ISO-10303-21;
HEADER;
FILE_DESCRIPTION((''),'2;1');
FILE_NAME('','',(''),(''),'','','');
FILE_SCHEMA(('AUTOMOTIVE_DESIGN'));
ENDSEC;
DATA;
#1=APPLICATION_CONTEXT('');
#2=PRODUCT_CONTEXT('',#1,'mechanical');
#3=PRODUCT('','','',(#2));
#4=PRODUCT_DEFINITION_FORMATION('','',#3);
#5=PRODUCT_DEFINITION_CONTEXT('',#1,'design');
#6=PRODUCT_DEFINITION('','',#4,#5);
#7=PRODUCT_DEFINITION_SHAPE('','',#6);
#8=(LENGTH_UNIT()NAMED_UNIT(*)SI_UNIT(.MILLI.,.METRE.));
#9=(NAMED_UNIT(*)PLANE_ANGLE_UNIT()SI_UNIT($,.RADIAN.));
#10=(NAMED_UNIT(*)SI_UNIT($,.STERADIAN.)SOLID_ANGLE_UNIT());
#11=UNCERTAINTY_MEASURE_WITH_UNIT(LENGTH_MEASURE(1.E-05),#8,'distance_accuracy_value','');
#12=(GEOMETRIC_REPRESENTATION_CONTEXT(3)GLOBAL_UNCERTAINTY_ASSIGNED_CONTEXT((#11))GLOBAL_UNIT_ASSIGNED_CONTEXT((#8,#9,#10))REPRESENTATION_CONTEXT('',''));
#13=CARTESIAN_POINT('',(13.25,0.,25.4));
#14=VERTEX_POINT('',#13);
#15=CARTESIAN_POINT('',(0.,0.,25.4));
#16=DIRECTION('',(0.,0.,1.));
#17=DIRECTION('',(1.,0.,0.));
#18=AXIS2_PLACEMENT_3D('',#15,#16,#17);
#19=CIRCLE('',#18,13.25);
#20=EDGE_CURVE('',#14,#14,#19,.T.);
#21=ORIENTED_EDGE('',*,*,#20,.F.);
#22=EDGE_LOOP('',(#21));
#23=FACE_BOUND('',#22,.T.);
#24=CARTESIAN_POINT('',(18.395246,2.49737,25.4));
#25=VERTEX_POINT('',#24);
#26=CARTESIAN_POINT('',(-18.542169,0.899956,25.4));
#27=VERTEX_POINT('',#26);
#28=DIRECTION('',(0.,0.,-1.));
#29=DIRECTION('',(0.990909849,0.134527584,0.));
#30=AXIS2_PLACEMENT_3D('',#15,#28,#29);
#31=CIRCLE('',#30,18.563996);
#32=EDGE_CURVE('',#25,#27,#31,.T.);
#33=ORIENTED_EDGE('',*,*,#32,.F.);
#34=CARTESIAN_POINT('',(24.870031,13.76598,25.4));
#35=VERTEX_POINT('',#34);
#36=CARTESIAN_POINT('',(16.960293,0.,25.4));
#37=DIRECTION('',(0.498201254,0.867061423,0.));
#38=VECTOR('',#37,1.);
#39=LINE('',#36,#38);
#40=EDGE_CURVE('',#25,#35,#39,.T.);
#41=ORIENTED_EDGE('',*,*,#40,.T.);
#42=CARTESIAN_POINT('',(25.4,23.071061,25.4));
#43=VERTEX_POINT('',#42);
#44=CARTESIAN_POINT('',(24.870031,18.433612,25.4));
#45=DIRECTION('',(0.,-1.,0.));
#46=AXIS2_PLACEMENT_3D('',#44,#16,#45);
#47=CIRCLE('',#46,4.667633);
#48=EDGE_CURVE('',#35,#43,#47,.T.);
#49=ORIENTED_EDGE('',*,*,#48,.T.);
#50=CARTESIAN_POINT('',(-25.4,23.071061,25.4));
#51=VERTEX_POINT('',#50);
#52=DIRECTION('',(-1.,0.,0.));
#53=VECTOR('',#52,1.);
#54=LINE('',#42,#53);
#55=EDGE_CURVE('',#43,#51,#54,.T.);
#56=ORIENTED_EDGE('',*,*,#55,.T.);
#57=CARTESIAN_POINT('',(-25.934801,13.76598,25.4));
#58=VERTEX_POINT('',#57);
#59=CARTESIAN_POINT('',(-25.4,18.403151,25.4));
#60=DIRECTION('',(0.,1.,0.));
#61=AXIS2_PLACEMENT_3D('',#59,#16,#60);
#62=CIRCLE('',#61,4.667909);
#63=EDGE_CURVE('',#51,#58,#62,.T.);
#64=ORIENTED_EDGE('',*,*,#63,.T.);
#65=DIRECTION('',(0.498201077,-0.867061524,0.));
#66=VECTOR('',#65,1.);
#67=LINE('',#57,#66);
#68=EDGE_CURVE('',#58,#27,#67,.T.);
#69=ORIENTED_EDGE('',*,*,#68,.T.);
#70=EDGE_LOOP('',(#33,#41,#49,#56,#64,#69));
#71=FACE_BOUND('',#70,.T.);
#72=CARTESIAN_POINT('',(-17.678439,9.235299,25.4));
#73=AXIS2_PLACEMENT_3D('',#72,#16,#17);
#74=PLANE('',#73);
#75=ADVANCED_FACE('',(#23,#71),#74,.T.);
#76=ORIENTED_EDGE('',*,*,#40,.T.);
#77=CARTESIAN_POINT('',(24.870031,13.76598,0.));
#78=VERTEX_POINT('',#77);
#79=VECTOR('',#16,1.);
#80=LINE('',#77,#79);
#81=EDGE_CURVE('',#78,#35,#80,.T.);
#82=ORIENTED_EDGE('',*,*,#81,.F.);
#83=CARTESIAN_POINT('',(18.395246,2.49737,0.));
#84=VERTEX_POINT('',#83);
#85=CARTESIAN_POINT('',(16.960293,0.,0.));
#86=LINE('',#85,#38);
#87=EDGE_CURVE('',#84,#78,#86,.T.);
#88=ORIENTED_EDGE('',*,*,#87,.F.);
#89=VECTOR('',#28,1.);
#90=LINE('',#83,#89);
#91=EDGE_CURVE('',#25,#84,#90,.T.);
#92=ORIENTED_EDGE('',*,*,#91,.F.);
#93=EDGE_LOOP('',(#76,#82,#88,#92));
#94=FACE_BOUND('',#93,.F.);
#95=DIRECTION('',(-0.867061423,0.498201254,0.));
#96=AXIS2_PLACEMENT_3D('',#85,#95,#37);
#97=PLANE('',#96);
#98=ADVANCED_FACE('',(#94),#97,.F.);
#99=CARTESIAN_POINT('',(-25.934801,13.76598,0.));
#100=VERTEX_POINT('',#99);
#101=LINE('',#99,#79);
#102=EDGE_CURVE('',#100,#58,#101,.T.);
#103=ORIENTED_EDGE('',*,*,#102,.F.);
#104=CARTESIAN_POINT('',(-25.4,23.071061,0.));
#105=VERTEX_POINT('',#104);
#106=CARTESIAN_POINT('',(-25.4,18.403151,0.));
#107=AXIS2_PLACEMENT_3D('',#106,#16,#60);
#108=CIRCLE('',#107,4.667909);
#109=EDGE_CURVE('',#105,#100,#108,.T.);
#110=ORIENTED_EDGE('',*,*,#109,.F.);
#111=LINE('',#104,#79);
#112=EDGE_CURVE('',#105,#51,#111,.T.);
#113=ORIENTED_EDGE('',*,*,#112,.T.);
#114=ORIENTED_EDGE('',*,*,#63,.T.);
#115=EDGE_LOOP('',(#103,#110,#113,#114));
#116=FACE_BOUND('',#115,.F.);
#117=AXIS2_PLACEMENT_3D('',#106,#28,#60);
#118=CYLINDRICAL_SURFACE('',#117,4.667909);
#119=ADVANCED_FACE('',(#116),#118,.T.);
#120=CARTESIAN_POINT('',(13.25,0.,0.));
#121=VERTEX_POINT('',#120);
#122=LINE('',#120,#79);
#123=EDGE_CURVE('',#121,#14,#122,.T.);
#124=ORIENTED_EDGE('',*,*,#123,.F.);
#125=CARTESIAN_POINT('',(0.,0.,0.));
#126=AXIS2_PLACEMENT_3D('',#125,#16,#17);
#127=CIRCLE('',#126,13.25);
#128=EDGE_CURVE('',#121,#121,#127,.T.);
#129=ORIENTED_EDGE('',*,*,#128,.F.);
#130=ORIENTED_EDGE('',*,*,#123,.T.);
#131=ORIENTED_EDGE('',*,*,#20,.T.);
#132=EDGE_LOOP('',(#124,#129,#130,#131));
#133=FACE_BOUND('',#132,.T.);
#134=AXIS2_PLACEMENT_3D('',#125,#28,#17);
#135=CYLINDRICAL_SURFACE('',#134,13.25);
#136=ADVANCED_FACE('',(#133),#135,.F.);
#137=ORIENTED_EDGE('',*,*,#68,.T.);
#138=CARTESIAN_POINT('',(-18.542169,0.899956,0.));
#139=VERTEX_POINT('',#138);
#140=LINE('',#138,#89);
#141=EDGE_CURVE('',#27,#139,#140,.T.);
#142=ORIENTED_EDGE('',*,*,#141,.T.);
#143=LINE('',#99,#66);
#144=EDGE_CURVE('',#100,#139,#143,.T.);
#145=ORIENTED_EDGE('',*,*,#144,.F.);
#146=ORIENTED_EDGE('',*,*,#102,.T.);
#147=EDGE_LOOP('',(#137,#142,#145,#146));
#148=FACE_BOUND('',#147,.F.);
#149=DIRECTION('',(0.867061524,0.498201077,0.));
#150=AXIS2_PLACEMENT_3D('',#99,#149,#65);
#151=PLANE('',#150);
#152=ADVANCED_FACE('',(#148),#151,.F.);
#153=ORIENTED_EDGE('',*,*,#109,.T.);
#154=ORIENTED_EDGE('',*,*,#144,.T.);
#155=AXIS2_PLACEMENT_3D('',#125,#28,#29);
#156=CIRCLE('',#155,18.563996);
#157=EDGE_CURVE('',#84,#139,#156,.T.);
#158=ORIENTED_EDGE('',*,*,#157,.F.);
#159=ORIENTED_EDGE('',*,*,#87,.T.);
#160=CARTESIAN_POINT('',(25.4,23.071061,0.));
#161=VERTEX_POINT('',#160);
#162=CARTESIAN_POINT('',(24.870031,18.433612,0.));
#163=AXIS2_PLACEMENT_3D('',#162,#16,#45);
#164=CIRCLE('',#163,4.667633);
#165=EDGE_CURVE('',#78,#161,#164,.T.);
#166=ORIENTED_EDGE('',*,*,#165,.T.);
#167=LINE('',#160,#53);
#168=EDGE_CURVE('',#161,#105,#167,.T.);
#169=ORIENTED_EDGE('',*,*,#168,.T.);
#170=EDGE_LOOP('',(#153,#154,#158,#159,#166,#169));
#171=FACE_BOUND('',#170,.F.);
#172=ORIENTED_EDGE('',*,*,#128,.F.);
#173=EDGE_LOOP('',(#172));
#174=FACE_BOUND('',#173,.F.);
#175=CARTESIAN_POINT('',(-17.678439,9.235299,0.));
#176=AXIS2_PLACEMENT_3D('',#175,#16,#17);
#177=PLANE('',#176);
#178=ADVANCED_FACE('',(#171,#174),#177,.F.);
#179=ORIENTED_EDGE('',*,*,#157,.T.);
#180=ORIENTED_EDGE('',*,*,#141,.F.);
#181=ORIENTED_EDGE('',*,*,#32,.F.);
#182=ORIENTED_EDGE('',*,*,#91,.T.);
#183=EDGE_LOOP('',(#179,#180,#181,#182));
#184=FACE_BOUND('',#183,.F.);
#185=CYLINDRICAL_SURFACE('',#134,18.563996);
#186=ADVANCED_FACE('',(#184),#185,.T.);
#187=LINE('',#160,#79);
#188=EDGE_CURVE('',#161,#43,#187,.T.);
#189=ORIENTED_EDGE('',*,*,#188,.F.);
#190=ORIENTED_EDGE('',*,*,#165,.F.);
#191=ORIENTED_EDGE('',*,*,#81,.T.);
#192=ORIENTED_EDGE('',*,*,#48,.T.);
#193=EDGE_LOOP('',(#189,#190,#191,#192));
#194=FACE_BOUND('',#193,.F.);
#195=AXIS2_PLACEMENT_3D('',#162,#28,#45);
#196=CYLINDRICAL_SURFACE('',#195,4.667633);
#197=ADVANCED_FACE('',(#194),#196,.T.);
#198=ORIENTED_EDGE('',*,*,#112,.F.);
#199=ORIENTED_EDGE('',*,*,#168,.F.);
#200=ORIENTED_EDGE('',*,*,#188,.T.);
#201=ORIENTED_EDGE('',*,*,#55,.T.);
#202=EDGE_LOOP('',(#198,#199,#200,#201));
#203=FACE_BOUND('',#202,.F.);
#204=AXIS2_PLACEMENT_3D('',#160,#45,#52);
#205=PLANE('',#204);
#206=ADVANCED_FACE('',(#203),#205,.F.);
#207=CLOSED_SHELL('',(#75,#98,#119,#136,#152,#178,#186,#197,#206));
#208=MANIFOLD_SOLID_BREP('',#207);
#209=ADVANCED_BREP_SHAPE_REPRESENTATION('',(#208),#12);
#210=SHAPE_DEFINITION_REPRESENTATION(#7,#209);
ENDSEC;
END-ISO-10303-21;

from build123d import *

# Parameters (mm, degrees)
F0_R     = 18.5639958492
F0_R_2   = 13.25
F1_DEPTH = 25.4
F3_DEPTH = 25.4


with BuildPart() as f1:
    # F0 (on Top) → F1 (new body)
    with BuildSketch(Plane.XY):
        Circle(F0_R)
        Circle(F0_R_2, mode=Mode.SUBTRACT)
    extrude(amount=F1_DEPTH)

    # F2 (on Top) → F3 (join)
    with BuildSketch(Plane.XY):
        Polygon((-9.2026721686, 13.7659795582), (-25.9348005056, 13.7659795582), (-18.0250667036, 0), align=None)
        with BuildLine():
            Line((25.4, 23.071060555), (0, 23.071060555))
            Line((0, 23.071060555), (-25.4, 23.071060555))
            ThreePointArc((-25.4, 23.071060555), (-30.0602184481, 18.6709930219), (-25.9348005056, 13.7659795582))
            Line((-25.9348005056, 13.7659795582), (-9.2026721686, 13.7659795582))
            Line((-9.2026721686, 13.7659795582), (7.8336792067, 13.7659795582))
            Line((7.8336792067, 13.7659795582), (24.870030582, 13.7659795582))
            ThreePointArc((24.870030582, 13.7659795582), (29.5301110517, 18.1681980719), (25.4, 23.071060555))
        make_face()
        Polygon((16.9602930546, 0), (24.870030582, 13.7659795582), (7.8336792067, 13.7659795582), align=None)
    extrude(amount=F3_DEPTH)


solid = f1.part
